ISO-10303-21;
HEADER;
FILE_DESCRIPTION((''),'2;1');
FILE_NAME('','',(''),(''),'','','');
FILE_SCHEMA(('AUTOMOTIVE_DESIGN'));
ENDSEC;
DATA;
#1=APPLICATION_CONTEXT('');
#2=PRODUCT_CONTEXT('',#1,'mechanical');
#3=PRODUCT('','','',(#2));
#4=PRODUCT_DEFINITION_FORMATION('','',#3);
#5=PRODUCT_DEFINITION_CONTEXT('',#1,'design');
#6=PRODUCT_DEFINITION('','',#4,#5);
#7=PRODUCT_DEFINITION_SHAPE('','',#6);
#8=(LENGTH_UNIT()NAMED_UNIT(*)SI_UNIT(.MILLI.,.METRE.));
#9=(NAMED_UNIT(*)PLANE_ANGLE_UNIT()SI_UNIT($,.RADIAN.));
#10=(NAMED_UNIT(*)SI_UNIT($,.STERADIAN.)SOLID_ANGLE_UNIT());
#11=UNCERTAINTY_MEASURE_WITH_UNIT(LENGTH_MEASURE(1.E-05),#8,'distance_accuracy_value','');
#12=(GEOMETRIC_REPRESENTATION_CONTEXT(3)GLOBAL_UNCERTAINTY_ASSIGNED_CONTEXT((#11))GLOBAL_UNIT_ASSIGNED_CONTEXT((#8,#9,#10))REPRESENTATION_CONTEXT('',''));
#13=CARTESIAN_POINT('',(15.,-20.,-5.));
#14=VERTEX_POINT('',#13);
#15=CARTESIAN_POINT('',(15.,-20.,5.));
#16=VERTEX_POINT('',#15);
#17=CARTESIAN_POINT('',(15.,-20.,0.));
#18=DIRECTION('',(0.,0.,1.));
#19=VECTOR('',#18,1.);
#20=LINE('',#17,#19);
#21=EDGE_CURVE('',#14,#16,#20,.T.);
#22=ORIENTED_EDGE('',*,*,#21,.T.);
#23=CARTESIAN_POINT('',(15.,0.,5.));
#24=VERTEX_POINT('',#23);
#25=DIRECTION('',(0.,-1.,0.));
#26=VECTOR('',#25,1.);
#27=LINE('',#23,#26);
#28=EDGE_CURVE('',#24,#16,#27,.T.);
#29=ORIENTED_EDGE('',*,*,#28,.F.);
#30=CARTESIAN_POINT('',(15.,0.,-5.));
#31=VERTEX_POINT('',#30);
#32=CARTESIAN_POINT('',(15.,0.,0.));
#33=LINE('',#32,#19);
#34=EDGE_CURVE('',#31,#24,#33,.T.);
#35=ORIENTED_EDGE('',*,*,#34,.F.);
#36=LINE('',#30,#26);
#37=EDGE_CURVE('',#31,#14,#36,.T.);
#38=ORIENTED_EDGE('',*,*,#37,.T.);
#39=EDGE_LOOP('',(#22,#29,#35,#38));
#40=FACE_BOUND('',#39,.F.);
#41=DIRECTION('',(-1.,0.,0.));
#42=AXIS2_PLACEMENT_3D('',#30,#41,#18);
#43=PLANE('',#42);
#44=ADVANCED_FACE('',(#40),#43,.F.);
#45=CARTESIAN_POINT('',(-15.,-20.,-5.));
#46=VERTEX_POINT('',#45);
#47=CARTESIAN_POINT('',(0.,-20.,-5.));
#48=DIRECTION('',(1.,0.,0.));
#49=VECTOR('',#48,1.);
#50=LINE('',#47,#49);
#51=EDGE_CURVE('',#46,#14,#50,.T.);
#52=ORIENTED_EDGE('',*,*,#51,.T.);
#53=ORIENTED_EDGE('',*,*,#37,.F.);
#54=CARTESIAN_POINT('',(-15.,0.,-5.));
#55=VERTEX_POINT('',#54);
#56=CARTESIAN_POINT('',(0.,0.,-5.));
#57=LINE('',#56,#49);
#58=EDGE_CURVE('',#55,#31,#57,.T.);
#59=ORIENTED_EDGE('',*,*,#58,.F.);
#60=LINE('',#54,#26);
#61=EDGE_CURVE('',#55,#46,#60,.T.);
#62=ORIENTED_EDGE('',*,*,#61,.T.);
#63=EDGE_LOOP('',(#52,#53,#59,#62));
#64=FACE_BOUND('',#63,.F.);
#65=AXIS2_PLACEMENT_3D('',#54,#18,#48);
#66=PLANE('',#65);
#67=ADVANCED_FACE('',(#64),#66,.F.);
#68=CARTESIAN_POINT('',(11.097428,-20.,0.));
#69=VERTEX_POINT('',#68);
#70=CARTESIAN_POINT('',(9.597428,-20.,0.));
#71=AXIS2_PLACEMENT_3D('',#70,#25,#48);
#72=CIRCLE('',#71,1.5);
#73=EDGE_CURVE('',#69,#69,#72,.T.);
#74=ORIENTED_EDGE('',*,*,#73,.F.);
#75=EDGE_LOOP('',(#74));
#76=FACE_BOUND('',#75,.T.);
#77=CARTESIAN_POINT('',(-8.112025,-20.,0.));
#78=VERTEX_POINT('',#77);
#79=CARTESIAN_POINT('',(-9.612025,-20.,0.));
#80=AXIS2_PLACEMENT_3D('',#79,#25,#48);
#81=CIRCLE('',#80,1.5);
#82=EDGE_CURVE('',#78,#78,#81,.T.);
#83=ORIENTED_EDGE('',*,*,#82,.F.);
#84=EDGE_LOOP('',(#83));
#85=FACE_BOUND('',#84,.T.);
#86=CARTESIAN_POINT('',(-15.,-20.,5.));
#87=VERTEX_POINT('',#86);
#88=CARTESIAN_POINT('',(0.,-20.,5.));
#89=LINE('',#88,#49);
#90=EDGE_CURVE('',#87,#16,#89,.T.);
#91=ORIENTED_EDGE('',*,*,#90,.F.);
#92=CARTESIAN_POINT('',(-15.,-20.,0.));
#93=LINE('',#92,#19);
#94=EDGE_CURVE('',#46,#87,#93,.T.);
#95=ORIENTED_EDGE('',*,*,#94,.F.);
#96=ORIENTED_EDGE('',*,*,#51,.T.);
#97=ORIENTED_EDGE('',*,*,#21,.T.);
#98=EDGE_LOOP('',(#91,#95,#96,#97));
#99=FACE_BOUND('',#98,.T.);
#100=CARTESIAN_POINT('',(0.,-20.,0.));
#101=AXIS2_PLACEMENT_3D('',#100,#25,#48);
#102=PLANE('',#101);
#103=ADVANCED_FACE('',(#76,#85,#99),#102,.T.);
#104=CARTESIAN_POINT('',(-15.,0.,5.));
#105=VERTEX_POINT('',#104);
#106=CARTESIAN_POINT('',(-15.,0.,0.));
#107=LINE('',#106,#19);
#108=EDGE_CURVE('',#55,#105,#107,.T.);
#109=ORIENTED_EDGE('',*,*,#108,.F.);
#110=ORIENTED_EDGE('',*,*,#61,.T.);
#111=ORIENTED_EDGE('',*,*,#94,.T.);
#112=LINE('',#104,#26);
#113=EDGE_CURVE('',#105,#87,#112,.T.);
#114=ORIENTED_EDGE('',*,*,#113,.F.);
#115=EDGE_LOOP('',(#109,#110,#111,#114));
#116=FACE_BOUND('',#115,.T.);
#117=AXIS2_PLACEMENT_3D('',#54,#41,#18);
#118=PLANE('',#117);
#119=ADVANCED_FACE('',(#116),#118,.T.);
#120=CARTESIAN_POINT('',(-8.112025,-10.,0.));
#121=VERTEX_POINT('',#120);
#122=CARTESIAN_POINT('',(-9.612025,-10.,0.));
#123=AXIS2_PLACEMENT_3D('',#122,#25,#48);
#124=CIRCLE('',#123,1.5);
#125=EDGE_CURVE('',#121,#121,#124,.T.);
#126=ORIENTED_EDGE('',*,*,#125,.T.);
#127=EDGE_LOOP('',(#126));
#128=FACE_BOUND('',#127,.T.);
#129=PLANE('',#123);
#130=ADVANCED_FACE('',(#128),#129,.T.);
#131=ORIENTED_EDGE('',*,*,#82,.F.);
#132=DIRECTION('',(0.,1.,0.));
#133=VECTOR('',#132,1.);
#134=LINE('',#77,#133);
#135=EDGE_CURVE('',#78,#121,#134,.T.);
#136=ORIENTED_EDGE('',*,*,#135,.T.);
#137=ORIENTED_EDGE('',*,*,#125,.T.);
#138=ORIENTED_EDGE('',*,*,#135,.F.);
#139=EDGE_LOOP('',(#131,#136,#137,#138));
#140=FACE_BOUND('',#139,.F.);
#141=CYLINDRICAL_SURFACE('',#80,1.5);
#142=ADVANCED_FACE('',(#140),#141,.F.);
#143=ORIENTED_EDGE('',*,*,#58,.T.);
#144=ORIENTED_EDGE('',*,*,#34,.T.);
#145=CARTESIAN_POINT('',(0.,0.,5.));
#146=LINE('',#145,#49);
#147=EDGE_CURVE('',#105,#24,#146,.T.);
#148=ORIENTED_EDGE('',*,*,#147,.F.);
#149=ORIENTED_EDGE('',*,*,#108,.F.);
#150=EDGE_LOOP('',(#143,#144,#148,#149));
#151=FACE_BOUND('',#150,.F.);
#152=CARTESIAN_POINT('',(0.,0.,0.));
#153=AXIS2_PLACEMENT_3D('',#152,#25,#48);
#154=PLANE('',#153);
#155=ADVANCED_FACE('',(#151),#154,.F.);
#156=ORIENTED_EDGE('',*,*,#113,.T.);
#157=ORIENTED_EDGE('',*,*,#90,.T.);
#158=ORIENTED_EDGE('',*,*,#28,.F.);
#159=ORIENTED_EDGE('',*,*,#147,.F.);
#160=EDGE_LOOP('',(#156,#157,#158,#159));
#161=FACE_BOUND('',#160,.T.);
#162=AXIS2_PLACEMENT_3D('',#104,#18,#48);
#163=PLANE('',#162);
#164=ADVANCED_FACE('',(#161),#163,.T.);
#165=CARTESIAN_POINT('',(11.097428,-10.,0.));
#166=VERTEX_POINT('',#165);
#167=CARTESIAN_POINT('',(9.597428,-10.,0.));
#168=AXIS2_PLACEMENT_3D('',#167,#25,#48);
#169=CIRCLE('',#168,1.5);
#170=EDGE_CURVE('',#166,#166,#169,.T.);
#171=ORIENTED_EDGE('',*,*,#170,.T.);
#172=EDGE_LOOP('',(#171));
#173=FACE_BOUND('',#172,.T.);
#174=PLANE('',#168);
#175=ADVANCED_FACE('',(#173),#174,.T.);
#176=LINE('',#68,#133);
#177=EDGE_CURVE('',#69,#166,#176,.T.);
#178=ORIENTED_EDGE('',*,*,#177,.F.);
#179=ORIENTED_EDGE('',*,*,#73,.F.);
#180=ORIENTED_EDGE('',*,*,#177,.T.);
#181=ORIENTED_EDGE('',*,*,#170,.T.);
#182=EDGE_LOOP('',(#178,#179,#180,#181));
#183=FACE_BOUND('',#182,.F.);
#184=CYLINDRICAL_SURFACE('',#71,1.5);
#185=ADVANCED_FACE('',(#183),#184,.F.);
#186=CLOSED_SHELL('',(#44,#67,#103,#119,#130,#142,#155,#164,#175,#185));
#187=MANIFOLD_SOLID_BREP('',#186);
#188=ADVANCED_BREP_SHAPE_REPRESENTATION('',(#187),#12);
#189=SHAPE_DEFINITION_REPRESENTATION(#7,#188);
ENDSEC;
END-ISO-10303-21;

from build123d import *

# Parameters (mm, degrees)
F0_W     = 30
F0_H     = 10
F1_DEPTH = 20
F3_R     = 1.5
F4_DEPTH = 10
F5_DEPTH = 10


with BuildPart() as f1:
    # F0 (on Front) → F1 (new body)
    with BuildSketch(Plane.XZ):
        Rectangle(F0_W, F0_H)
    extrude(amount=F1_DEPTH)

    # F3 (on face) → F4 (cut)
    with BuildSketch(Plane.XZ.offset(20)):
        with Locations((9.597428, 0)):
            Circle(F3_R)
    extrude(amount=-F4_DEPTH, mode=Mode.SUBTRACT)

    # F3 (on face) → F5 (cut)
    with BuildSketch(Plane.XZ.offset(20)):
        with Locations((-9.612025, 0)):
            Circle(F3_R)
    extrude(amount=-F5_DEPTH, mode=Mode.SUBTRACT)


solid = f1.part
